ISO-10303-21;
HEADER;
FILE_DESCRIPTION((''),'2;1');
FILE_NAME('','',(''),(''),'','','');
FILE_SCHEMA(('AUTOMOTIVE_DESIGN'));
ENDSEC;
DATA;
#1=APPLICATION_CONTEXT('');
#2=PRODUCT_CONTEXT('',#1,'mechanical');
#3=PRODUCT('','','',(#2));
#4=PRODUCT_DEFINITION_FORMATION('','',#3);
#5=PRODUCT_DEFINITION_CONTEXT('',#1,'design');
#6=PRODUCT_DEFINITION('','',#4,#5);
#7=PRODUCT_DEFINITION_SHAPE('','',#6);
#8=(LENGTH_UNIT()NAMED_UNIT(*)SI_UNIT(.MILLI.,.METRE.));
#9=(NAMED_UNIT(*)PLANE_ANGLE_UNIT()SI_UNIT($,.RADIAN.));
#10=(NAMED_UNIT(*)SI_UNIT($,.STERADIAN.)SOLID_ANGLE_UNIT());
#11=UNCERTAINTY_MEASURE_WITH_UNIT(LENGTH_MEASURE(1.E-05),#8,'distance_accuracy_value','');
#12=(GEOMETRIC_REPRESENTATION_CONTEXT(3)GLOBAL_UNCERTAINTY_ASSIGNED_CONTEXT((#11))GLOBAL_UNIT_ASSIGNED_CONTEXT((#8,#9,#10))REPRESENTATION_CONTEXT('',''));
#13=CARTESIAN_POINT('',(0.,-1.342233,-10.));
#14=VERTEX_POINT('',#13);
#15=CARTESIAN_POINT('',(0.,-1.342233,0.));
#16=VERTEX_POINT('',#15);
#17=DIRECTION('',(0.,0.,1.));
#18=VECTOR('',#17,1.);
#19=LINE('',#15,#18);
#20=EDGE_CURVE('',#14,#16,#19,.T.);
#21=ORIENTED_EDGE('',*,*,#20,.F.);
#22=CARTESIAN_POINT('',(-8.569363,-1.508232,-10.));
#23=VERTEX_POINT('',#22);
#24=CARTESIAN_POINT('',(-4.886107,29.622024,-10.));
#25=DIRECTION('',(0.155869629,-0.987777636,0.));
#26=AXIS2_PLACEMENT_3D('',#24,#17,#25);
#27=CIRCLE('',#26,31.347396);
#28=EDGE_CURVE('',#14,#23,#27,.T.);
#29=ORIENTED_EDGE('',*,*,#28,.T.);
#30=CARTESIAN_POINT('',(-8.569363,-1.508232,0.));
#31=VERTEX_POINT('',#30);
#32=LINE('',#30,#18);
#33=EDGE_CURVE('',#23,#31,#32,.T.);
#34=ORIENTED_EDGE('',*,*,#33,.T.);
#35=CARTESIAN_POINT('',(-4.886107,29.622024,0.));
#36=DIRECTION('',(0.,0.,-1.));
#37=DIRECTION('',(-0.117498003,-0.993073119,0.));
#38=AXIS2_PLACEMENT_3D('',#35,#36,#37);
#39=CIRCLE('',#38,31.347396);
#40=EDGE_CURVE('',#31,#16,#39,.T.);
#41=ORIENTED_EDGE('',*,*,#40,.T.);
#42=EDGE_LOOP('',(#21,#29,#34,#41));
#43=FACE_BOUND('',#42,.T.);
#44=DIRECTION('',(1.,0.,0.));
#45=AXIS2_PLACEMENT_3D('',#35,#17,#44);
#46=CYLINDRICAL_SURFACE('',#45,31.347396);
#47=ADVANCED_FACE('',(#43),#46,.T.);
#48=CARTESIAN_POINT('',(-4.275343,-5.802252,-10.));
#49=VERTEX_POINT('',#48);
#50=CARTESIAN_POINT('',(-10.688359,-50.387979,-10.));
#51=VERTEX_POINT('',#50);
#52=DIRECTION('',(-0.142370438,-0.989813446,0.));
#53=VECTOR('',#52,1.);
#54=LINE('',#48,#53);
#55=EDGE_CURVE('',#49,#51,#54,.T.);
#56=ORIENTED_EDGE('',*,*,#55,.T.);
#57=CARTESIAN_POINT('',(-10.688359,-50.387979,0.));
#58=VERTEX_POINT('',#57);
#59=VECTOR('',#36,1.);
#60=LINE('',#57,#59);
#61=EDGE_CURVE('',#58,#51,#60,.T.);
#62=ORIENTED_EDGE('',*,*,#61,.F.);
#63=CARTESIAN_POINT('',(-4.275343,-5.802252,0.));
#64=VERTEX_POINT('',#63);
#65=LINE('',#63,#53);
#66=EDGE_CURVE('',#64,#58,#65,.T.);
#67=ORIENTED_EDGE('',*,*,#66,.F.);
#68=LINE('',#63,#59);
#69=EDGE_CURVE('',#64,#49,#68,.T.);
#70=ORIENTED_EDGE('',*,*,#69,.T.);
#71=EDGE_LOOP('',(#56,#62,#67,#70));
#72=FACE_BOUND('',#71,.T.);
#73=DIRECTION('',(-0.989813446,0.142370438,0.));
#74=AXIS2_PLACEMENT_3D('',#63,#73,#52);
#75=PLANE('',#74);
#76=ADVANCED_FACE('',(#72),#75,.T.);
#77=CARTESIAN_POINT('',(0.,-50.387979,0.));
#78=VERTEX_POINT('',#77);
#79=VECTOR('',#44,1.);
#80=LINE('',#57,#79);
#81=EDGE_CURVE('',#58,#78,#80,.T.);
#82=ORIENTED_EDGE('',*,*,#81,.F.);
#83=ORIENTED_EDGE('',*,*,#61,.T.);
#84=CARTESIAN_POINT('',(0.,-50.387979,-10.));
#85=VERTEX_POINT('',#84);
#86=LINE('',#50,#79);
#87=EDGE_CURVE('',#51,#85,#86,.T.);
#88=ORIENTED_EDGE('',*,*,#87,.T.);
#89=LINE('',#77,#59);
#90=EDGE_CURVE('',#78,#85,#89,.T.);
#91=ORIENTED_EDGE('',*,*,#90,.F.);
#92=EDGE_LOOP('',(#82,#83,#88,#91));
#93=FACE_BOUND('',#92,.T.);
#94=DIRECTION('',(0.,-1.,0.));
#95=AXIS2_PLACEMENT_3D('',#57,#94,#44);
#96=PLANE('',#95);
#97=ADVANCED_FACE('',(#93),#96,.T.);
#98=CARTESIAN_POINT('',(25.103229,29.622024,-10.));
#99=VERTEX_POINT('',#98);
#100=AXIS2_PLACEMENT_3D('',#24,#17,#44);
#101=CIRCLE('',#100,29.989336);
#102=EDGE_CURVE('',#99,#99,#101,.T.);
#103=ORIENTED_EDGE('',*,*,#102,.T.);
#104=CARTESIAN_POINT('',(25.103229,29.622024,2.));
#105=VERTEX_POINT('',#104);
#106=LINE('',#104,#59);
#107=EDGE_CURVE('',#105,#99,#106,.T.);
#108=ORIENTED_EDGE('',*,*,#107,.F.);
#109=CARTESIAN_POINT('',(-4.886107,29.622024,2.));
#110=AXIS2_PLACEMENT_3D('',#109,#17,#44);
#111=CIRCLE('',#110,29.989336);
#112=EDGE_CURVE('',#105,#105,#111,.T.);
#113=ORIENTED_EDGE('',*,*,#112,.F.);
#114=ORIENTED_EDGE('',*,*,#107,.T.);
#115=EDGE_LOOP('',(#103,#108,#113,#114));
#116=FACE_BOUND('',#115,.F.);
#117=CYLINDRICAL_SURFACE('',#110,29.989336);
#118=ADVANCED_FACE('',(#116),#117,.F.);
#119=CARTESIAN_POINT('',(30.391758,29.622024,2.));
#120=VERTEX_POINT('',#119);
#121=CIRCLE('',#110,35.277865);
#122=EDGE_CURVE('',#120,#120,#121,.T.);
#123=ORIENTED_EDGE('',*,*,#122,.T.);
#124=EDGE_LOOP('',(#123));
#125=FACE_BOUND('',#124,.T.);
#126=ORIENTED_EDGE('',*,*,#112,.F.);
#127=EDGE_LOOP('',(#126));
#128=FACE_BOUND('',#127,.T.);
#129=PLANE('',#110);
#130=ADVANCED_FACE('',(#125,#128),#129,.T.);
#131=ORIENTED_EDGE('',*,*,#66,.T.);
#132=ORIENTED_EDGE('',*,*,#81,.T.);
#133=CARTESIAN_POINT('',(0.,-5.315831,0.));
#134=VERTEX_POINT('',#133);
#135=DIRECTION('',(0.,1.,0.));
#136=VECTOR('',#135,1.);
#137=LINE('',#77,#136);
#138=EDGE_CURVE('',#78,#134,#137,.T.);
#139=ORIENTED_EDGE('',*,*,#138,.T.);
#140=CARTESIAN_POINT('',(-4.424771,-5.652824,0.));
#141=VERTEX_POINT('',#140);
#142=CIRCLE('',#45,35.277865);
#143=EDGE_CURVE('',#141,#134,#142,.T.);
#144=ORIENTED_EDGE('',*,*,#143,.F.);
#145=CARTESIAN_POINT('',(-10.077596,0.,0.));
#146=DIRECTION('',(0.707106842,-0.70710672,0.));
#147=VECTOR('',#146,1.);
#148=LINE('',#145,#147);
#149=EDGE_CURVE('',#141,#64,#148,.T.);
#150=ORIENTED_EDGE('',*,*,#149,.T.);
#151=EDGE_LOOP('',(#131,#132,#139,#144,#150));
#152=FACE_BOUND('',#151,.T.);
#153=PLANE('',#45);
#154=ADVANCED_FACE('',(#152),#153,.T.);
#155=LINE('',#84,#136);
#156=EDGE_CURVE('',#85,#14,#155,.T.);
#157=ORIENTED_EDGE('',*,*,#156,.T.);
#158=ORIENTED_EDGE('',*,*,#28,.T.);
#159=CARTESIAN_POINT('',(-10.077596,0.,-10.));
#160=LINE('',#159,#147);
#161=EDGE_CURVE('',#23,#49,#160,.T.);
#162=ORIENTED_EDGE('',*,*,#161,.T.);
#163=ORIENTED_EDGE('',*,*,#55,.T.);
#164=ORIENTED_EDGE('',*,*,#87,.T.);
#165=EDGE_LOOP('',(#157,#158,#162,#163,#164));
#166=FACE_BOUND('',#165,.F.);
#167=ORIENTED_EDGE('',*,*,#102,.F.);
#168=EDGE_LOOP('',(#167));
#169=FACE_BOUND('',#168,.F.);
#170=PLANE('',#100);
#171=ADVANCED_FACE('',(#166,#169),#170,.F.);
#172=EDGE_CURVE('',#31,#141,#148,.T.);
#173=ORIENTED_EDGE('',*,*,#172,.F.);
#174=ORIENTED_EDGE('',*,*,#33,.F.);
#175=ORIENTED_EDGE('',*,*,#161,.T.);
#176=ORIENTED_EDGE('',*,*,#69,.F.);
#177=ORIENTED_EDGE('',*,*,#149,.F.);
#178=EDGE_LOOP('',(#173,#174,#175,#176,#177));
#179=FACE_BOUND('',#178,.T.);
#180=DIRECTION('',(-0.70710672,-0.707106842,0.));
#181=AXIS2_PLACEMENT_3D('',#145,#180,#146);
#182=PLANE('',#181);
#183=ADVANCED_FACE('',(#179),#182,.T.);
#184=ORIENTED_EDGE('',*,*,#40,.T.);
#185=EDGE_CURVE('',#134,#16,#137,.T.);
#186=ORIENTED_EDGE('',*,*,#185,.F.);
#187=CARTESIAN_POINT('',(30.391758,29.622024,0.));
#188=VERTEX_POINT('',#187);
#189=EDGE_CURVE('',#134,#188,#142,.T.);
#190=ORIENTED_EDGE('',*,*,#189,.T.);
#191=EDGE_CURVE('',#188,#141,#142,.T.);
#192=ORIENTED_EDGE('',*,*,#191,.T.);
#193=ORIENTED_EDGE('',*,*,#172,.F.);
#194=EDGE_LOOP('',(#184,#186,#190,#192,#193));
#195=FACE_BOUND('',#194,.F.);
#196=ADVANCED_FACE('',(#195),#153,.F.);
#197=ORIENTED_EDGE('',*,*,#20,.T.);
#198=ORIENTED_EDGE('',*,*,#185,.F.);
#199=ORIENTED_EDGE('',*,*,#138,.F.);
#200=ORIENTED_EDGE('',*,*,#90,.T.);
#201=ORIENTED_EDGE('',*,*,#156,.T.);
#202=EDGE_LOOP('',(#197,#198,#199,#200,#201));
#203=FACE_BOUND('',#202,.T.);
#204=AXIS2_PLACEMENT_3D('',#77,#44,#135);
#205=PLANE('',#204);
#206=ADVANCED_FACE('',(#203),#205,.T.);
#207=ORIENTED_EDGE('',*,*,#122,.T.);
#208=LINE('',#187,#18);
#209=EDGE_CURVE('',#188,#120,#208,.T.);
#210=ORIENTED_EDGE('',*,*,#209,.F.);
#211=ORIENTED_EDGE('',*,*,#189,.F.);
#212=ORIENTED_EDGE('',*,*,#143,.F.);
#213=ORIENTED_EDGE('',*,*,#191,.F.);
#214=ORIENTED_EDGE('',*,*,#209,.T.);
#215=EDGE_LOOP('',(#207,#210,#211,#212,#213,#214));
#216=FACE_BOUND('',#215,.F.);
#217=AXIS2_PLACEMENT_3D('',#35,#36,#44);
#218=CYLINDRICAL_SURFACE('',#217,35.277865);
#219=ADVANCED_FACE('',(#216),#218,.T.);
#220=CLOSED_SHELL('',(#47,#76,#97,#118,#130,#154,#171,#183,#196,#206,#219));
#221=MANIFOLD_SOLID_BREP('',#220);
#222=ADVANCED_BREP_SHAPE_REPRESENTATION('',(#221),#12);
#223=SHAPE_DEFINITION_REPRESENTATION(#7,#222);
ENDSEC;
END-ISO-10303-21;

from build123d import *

# Parameters (mm, degrees)
F1_DEPTH = 10
F2_R     = 31.347396
F3_DEPTH = 10
F4_R     = 35.277865
F5_DEPTH = 2
F6_R     = 29.989336
F7_DEPTH = 25


with BuildPart() as f1:
    # F0 (on Top) → F1 (new body)
    with BuildSketch(Plane.XY):
        Polygon((0, 0), (-10.077596, 0), (-4.275343, -5.802252), (-10.688359, -50.387979), (0, -50.387979), align=None)
    extrude(amount=-F1_DEPTH)

    # F2 (on Top) → F3 (join)
    with BuildSketch(Plane.XY):
        with Locations((-4.886107, 29.622024)):
            Circle(F2_R)
    extrude(amount=-F3_DEPTH)

    # F4 (on face) → F5 (join)
    with BuildSketch(Plane.XY):
        with Locations((-4.886107, 29.622024)):
            Circle(F4_R)
    extrude(amount=F5_DEPTH)

    # F6 (on face) → F7 (cut)
    with BuildSketch(Plane.XY.offset(2)):
        with Locations((-4.886107, 29.622024)):
            Circle(F6_R)
    extrude(amount=-F7_DEPTH, mode=Mode.SUBTRACT)


solid = f1.part
